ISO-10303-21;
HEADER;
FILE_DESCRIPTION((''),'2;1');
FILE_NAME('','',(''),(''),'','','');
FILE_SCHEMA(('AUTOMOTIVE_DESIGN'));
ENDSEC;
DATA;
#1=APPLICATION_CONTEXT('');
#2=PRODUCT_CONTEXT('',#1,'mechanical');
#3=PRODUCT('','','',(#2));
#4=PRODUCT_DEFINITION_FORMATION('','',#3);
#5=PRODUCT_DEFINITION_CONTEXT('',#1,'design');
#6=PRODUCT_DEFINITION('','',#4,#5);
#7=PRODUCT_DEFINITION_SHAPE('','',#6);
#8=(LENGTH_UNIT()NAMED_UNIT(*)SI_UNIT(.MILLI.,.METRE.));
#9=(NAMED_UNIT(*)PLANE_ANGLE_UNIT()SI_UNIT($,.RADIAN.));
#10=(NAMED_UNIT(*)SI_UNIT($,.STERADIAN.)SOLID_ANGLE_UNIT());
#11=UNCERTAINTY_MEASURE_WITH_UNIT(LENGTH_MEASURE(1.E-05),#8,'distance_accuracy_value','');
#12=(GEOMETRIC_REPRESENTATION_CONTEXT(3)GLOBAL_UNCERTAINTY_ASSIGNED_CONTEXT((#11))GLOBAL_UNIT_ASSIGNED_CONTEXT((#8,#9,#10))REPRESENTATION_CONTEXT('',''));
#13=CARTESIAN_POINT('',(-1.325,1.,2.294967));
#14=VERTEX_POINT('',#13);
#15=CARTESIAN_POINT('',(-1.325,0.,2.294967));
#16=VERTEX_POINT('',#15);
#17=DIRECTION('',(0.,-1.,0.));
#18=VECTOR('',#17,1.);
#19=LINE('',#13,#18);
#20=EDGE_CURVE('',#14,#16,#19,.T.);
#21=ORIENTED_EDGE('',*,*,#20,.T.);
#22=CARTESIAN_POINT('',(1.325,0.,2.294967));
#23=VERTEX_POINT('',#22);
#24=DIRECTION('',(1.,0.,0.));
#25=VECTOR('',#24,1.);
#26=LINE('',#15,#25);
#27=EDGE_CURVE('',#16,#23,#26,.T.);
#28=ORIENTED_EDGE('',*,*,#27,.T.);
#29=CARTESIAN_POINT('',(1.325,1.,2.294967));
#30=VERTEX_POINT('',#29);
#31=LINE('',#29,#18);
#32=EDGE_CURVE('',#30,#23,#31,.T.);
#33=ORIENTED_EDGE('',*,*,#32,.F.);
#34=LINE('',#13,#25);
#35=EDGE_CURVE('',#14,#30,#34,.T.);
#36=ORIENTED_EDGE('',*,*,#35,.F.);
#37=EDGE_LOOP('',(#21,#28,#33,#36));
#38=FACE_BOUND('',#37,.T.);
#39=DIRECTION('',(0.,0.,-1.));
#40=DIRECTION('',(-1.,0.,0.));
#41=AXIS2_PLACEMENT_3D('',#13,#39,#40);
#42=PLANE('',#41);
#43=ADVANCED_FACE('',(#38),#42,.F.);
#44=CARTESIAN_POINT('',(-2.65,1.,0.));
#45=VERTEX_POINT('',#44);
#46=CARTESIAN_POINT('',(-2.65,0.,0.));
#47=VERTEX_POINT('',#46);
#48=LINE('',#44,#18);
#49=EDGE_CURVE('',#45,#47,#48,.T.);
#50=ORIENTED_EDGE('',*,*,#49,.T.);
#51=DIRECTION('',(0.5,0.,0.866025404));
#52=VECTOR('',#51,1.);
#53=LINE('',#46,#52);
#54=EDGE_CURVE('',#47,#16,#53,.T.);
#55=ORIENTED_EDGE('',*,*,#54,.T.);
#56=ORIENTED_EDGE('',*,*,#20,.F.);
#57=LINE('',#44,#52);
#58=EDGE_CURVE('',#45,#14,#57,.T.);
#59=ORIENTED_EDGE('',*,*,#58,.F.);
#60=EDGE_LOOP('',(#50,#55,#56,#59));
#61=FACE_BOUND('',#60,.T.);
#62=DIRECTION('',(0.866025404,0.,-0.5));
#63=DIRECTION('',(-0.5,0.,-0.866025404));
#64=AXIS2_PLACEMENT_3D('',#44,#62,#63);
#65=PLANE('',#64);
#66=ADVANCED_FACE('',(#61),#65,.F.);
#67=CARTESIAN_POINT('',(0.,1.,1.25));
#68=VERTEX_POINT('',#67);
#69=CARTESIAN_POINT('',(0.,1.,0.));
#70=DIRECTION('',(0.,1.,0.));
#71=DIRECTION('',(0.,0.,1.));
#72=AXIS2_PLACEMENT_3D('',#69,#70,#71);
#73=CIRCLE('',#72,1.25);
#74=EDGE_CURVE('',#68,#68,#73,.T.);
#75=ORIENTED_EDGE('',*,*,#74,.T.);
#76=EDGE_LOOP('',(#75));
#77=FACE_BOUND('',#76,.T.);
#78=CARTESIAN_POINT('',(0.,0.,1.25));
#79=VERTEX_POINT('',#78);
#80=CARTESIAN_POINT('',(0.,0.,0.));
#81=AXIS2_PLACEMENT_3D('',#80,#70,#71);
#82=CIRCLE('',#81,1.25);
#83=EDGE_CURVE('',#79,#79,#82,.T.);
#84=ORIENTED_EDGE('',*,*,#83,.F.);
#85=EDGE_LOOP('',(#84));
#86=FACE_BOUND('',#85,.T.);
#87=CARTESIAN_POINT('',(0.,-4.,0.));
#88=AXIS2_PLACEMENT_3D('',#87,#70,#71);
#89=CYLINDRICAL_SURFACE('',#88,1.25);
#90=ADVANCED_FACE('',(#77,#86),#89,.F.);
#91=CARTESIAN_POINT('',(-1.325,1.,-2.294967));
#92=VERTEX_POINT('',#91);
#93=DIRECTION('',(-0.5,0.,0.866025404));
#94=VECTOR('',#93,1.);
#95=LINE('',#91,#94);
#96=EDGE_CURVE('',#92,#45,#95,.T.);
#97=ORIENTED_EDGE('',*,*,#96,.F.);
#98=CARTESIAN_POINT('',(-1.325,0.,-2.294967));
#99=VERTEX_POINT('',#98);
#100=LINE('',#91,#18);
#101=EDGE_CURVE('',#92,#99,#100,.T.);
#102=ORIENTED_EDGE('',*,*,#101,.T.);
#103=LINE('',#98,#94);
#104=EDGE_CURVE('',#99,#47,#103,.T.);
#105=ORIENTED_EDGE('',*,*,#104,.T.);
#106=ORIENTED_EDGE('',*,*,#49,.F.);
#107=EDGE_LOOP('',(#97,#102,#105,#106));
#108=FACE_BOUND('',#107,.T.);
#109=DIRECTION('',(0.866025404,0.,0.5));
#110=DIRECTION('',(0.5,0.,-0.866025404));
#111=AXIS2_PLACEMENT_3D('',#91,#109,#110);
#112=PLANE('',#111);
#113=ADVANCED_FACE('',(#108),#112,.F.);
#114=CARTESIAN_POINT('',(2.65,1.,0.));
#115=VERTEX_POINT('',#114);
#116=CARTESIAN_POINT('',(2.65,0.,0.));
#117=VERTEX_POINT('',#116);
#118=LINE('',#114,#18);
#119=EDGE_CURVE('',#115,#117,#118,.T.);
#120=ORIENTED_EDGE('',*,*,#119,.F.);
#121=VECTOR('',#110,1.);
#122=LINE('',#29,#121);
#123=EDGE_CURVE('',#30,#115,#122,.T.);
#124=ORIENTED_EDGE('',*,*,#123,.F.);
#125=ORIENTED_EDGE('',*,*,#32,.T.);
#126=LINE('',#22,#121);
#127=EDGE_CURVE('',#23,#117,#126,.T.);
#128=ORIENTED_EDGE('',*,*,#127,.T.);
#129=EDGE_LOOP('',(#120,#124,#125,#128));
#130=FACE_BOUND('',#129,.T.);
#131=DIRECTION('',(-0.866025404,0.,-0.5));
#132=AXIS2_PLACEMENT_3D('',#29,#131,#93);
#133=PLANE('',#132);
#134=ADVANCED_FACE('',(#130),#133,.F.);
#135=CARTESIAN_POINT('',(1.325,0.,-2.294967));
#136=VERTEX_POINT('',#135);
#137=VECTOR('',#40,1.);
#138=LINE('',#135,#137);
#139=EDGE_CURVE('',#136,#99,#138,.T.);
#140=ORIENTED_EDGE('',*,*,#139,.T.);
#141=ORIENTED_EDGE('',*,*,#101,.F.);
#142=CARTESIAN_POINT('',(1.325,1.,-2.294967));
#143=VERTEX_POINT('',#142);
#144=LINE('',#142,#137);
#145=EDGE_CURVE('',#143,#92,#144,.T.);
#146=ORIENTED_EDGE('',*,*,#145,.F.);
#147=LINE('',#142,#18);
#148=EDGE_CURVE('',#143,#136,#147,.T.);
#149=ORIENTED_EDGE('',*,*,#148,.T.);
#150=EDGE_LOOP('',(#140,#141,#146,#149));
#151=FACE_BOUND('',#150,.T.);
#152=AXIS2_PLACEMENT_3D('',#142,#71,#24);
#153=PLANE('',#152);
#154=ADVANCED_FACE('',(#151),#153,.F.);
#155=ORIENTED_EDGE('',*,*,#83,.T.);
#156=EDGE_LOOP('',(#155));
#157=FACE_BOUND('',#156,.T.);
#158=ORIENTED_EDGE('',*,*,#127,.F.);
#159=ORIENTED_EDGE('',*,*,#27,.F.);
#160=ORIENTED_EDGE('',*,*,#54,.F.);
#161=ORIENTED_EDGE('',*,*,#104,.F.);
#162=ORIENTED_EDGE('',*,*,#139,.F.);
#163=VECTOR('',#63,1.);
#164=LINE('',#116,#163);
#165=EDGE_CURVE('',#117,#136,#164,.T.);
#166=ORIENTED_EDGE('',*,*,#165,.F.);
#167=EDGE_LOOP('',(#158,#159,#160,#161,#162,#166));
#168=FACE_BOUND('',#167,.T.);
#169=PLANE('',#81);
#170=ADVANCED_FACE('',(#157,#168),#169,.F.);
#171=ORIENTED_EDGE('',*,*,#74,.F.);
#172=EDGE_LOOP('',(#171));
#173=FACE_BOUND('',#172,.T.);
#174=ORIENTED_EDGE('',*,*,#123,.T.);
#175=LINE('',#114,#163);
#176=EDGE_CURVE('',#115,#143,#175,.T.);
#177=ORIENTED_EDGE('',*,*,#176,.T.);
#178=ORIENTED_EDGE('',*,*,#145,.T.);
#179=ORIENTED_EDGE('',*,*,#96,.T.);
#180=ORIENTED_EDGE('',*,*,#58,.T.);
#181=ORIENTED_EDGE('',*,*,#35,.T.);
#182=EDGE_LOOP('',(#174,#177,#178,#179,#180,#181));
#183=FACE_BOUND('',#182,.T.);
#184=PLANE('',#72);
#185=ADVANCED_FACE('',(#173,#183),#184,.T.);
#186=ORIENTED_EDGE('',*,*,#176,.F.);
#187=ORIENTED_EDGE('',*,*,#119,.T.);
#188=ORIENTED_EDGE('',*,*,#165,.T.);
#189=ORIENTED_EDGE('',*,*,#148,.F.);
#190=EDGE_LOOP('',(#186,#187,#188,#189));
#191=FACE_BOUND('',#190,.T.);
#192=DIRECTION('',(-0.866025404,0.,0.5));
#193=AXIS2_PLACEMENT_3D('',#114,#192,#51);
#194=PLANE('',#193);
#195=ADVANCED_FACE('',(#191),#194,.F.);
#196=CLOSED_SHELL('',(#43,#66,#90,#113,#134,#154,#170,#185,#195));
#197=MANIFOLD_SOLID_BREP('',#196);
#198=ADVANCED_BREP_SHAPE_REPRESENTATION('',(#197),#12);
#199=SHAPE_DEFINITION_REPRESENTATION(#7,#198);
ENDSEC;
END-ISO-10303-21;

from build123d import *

# Parameters (mm, degrees)
EXTRUDE_1_DEPTH     = 1
SKETCH_7_R          = 1.25
CUT_EXTRUDE_1_DEPTH = 5


with BuildPart() as part:
    # 草图4 → 凸台-拉伸1 (new body)
    with BuildSketch(Plane(origin=(0, 0, 0), x_dir=(1, 0, 0), z_dir=(0, 1, 0))):
        Polygon((1.325, -2.29496732), (2.65, 0), (1.325, 2.29496732), (-1.325, 2.29496732), (-2.65, 0), (-1.325, -2.29496732), align=None)
    extrude(amount=EXTRUDE_1_DEPTH)

    # 草图7 → 切除-拉伸1 (cut)
    with BuildSketch(Plane(origin=(0, 1, 0), x_dir=(1, 0, 0), z_dir=(0, 1, 0))):
        with Locations(Location((0, 0, 0), (0, 0, 270))):
            Circle(SKETCH_7_R)
    extrude(amount=-CUT_EXTRUDE_1_DEPTH, mode=Mode.SUBTRACT)


solid = part.part
